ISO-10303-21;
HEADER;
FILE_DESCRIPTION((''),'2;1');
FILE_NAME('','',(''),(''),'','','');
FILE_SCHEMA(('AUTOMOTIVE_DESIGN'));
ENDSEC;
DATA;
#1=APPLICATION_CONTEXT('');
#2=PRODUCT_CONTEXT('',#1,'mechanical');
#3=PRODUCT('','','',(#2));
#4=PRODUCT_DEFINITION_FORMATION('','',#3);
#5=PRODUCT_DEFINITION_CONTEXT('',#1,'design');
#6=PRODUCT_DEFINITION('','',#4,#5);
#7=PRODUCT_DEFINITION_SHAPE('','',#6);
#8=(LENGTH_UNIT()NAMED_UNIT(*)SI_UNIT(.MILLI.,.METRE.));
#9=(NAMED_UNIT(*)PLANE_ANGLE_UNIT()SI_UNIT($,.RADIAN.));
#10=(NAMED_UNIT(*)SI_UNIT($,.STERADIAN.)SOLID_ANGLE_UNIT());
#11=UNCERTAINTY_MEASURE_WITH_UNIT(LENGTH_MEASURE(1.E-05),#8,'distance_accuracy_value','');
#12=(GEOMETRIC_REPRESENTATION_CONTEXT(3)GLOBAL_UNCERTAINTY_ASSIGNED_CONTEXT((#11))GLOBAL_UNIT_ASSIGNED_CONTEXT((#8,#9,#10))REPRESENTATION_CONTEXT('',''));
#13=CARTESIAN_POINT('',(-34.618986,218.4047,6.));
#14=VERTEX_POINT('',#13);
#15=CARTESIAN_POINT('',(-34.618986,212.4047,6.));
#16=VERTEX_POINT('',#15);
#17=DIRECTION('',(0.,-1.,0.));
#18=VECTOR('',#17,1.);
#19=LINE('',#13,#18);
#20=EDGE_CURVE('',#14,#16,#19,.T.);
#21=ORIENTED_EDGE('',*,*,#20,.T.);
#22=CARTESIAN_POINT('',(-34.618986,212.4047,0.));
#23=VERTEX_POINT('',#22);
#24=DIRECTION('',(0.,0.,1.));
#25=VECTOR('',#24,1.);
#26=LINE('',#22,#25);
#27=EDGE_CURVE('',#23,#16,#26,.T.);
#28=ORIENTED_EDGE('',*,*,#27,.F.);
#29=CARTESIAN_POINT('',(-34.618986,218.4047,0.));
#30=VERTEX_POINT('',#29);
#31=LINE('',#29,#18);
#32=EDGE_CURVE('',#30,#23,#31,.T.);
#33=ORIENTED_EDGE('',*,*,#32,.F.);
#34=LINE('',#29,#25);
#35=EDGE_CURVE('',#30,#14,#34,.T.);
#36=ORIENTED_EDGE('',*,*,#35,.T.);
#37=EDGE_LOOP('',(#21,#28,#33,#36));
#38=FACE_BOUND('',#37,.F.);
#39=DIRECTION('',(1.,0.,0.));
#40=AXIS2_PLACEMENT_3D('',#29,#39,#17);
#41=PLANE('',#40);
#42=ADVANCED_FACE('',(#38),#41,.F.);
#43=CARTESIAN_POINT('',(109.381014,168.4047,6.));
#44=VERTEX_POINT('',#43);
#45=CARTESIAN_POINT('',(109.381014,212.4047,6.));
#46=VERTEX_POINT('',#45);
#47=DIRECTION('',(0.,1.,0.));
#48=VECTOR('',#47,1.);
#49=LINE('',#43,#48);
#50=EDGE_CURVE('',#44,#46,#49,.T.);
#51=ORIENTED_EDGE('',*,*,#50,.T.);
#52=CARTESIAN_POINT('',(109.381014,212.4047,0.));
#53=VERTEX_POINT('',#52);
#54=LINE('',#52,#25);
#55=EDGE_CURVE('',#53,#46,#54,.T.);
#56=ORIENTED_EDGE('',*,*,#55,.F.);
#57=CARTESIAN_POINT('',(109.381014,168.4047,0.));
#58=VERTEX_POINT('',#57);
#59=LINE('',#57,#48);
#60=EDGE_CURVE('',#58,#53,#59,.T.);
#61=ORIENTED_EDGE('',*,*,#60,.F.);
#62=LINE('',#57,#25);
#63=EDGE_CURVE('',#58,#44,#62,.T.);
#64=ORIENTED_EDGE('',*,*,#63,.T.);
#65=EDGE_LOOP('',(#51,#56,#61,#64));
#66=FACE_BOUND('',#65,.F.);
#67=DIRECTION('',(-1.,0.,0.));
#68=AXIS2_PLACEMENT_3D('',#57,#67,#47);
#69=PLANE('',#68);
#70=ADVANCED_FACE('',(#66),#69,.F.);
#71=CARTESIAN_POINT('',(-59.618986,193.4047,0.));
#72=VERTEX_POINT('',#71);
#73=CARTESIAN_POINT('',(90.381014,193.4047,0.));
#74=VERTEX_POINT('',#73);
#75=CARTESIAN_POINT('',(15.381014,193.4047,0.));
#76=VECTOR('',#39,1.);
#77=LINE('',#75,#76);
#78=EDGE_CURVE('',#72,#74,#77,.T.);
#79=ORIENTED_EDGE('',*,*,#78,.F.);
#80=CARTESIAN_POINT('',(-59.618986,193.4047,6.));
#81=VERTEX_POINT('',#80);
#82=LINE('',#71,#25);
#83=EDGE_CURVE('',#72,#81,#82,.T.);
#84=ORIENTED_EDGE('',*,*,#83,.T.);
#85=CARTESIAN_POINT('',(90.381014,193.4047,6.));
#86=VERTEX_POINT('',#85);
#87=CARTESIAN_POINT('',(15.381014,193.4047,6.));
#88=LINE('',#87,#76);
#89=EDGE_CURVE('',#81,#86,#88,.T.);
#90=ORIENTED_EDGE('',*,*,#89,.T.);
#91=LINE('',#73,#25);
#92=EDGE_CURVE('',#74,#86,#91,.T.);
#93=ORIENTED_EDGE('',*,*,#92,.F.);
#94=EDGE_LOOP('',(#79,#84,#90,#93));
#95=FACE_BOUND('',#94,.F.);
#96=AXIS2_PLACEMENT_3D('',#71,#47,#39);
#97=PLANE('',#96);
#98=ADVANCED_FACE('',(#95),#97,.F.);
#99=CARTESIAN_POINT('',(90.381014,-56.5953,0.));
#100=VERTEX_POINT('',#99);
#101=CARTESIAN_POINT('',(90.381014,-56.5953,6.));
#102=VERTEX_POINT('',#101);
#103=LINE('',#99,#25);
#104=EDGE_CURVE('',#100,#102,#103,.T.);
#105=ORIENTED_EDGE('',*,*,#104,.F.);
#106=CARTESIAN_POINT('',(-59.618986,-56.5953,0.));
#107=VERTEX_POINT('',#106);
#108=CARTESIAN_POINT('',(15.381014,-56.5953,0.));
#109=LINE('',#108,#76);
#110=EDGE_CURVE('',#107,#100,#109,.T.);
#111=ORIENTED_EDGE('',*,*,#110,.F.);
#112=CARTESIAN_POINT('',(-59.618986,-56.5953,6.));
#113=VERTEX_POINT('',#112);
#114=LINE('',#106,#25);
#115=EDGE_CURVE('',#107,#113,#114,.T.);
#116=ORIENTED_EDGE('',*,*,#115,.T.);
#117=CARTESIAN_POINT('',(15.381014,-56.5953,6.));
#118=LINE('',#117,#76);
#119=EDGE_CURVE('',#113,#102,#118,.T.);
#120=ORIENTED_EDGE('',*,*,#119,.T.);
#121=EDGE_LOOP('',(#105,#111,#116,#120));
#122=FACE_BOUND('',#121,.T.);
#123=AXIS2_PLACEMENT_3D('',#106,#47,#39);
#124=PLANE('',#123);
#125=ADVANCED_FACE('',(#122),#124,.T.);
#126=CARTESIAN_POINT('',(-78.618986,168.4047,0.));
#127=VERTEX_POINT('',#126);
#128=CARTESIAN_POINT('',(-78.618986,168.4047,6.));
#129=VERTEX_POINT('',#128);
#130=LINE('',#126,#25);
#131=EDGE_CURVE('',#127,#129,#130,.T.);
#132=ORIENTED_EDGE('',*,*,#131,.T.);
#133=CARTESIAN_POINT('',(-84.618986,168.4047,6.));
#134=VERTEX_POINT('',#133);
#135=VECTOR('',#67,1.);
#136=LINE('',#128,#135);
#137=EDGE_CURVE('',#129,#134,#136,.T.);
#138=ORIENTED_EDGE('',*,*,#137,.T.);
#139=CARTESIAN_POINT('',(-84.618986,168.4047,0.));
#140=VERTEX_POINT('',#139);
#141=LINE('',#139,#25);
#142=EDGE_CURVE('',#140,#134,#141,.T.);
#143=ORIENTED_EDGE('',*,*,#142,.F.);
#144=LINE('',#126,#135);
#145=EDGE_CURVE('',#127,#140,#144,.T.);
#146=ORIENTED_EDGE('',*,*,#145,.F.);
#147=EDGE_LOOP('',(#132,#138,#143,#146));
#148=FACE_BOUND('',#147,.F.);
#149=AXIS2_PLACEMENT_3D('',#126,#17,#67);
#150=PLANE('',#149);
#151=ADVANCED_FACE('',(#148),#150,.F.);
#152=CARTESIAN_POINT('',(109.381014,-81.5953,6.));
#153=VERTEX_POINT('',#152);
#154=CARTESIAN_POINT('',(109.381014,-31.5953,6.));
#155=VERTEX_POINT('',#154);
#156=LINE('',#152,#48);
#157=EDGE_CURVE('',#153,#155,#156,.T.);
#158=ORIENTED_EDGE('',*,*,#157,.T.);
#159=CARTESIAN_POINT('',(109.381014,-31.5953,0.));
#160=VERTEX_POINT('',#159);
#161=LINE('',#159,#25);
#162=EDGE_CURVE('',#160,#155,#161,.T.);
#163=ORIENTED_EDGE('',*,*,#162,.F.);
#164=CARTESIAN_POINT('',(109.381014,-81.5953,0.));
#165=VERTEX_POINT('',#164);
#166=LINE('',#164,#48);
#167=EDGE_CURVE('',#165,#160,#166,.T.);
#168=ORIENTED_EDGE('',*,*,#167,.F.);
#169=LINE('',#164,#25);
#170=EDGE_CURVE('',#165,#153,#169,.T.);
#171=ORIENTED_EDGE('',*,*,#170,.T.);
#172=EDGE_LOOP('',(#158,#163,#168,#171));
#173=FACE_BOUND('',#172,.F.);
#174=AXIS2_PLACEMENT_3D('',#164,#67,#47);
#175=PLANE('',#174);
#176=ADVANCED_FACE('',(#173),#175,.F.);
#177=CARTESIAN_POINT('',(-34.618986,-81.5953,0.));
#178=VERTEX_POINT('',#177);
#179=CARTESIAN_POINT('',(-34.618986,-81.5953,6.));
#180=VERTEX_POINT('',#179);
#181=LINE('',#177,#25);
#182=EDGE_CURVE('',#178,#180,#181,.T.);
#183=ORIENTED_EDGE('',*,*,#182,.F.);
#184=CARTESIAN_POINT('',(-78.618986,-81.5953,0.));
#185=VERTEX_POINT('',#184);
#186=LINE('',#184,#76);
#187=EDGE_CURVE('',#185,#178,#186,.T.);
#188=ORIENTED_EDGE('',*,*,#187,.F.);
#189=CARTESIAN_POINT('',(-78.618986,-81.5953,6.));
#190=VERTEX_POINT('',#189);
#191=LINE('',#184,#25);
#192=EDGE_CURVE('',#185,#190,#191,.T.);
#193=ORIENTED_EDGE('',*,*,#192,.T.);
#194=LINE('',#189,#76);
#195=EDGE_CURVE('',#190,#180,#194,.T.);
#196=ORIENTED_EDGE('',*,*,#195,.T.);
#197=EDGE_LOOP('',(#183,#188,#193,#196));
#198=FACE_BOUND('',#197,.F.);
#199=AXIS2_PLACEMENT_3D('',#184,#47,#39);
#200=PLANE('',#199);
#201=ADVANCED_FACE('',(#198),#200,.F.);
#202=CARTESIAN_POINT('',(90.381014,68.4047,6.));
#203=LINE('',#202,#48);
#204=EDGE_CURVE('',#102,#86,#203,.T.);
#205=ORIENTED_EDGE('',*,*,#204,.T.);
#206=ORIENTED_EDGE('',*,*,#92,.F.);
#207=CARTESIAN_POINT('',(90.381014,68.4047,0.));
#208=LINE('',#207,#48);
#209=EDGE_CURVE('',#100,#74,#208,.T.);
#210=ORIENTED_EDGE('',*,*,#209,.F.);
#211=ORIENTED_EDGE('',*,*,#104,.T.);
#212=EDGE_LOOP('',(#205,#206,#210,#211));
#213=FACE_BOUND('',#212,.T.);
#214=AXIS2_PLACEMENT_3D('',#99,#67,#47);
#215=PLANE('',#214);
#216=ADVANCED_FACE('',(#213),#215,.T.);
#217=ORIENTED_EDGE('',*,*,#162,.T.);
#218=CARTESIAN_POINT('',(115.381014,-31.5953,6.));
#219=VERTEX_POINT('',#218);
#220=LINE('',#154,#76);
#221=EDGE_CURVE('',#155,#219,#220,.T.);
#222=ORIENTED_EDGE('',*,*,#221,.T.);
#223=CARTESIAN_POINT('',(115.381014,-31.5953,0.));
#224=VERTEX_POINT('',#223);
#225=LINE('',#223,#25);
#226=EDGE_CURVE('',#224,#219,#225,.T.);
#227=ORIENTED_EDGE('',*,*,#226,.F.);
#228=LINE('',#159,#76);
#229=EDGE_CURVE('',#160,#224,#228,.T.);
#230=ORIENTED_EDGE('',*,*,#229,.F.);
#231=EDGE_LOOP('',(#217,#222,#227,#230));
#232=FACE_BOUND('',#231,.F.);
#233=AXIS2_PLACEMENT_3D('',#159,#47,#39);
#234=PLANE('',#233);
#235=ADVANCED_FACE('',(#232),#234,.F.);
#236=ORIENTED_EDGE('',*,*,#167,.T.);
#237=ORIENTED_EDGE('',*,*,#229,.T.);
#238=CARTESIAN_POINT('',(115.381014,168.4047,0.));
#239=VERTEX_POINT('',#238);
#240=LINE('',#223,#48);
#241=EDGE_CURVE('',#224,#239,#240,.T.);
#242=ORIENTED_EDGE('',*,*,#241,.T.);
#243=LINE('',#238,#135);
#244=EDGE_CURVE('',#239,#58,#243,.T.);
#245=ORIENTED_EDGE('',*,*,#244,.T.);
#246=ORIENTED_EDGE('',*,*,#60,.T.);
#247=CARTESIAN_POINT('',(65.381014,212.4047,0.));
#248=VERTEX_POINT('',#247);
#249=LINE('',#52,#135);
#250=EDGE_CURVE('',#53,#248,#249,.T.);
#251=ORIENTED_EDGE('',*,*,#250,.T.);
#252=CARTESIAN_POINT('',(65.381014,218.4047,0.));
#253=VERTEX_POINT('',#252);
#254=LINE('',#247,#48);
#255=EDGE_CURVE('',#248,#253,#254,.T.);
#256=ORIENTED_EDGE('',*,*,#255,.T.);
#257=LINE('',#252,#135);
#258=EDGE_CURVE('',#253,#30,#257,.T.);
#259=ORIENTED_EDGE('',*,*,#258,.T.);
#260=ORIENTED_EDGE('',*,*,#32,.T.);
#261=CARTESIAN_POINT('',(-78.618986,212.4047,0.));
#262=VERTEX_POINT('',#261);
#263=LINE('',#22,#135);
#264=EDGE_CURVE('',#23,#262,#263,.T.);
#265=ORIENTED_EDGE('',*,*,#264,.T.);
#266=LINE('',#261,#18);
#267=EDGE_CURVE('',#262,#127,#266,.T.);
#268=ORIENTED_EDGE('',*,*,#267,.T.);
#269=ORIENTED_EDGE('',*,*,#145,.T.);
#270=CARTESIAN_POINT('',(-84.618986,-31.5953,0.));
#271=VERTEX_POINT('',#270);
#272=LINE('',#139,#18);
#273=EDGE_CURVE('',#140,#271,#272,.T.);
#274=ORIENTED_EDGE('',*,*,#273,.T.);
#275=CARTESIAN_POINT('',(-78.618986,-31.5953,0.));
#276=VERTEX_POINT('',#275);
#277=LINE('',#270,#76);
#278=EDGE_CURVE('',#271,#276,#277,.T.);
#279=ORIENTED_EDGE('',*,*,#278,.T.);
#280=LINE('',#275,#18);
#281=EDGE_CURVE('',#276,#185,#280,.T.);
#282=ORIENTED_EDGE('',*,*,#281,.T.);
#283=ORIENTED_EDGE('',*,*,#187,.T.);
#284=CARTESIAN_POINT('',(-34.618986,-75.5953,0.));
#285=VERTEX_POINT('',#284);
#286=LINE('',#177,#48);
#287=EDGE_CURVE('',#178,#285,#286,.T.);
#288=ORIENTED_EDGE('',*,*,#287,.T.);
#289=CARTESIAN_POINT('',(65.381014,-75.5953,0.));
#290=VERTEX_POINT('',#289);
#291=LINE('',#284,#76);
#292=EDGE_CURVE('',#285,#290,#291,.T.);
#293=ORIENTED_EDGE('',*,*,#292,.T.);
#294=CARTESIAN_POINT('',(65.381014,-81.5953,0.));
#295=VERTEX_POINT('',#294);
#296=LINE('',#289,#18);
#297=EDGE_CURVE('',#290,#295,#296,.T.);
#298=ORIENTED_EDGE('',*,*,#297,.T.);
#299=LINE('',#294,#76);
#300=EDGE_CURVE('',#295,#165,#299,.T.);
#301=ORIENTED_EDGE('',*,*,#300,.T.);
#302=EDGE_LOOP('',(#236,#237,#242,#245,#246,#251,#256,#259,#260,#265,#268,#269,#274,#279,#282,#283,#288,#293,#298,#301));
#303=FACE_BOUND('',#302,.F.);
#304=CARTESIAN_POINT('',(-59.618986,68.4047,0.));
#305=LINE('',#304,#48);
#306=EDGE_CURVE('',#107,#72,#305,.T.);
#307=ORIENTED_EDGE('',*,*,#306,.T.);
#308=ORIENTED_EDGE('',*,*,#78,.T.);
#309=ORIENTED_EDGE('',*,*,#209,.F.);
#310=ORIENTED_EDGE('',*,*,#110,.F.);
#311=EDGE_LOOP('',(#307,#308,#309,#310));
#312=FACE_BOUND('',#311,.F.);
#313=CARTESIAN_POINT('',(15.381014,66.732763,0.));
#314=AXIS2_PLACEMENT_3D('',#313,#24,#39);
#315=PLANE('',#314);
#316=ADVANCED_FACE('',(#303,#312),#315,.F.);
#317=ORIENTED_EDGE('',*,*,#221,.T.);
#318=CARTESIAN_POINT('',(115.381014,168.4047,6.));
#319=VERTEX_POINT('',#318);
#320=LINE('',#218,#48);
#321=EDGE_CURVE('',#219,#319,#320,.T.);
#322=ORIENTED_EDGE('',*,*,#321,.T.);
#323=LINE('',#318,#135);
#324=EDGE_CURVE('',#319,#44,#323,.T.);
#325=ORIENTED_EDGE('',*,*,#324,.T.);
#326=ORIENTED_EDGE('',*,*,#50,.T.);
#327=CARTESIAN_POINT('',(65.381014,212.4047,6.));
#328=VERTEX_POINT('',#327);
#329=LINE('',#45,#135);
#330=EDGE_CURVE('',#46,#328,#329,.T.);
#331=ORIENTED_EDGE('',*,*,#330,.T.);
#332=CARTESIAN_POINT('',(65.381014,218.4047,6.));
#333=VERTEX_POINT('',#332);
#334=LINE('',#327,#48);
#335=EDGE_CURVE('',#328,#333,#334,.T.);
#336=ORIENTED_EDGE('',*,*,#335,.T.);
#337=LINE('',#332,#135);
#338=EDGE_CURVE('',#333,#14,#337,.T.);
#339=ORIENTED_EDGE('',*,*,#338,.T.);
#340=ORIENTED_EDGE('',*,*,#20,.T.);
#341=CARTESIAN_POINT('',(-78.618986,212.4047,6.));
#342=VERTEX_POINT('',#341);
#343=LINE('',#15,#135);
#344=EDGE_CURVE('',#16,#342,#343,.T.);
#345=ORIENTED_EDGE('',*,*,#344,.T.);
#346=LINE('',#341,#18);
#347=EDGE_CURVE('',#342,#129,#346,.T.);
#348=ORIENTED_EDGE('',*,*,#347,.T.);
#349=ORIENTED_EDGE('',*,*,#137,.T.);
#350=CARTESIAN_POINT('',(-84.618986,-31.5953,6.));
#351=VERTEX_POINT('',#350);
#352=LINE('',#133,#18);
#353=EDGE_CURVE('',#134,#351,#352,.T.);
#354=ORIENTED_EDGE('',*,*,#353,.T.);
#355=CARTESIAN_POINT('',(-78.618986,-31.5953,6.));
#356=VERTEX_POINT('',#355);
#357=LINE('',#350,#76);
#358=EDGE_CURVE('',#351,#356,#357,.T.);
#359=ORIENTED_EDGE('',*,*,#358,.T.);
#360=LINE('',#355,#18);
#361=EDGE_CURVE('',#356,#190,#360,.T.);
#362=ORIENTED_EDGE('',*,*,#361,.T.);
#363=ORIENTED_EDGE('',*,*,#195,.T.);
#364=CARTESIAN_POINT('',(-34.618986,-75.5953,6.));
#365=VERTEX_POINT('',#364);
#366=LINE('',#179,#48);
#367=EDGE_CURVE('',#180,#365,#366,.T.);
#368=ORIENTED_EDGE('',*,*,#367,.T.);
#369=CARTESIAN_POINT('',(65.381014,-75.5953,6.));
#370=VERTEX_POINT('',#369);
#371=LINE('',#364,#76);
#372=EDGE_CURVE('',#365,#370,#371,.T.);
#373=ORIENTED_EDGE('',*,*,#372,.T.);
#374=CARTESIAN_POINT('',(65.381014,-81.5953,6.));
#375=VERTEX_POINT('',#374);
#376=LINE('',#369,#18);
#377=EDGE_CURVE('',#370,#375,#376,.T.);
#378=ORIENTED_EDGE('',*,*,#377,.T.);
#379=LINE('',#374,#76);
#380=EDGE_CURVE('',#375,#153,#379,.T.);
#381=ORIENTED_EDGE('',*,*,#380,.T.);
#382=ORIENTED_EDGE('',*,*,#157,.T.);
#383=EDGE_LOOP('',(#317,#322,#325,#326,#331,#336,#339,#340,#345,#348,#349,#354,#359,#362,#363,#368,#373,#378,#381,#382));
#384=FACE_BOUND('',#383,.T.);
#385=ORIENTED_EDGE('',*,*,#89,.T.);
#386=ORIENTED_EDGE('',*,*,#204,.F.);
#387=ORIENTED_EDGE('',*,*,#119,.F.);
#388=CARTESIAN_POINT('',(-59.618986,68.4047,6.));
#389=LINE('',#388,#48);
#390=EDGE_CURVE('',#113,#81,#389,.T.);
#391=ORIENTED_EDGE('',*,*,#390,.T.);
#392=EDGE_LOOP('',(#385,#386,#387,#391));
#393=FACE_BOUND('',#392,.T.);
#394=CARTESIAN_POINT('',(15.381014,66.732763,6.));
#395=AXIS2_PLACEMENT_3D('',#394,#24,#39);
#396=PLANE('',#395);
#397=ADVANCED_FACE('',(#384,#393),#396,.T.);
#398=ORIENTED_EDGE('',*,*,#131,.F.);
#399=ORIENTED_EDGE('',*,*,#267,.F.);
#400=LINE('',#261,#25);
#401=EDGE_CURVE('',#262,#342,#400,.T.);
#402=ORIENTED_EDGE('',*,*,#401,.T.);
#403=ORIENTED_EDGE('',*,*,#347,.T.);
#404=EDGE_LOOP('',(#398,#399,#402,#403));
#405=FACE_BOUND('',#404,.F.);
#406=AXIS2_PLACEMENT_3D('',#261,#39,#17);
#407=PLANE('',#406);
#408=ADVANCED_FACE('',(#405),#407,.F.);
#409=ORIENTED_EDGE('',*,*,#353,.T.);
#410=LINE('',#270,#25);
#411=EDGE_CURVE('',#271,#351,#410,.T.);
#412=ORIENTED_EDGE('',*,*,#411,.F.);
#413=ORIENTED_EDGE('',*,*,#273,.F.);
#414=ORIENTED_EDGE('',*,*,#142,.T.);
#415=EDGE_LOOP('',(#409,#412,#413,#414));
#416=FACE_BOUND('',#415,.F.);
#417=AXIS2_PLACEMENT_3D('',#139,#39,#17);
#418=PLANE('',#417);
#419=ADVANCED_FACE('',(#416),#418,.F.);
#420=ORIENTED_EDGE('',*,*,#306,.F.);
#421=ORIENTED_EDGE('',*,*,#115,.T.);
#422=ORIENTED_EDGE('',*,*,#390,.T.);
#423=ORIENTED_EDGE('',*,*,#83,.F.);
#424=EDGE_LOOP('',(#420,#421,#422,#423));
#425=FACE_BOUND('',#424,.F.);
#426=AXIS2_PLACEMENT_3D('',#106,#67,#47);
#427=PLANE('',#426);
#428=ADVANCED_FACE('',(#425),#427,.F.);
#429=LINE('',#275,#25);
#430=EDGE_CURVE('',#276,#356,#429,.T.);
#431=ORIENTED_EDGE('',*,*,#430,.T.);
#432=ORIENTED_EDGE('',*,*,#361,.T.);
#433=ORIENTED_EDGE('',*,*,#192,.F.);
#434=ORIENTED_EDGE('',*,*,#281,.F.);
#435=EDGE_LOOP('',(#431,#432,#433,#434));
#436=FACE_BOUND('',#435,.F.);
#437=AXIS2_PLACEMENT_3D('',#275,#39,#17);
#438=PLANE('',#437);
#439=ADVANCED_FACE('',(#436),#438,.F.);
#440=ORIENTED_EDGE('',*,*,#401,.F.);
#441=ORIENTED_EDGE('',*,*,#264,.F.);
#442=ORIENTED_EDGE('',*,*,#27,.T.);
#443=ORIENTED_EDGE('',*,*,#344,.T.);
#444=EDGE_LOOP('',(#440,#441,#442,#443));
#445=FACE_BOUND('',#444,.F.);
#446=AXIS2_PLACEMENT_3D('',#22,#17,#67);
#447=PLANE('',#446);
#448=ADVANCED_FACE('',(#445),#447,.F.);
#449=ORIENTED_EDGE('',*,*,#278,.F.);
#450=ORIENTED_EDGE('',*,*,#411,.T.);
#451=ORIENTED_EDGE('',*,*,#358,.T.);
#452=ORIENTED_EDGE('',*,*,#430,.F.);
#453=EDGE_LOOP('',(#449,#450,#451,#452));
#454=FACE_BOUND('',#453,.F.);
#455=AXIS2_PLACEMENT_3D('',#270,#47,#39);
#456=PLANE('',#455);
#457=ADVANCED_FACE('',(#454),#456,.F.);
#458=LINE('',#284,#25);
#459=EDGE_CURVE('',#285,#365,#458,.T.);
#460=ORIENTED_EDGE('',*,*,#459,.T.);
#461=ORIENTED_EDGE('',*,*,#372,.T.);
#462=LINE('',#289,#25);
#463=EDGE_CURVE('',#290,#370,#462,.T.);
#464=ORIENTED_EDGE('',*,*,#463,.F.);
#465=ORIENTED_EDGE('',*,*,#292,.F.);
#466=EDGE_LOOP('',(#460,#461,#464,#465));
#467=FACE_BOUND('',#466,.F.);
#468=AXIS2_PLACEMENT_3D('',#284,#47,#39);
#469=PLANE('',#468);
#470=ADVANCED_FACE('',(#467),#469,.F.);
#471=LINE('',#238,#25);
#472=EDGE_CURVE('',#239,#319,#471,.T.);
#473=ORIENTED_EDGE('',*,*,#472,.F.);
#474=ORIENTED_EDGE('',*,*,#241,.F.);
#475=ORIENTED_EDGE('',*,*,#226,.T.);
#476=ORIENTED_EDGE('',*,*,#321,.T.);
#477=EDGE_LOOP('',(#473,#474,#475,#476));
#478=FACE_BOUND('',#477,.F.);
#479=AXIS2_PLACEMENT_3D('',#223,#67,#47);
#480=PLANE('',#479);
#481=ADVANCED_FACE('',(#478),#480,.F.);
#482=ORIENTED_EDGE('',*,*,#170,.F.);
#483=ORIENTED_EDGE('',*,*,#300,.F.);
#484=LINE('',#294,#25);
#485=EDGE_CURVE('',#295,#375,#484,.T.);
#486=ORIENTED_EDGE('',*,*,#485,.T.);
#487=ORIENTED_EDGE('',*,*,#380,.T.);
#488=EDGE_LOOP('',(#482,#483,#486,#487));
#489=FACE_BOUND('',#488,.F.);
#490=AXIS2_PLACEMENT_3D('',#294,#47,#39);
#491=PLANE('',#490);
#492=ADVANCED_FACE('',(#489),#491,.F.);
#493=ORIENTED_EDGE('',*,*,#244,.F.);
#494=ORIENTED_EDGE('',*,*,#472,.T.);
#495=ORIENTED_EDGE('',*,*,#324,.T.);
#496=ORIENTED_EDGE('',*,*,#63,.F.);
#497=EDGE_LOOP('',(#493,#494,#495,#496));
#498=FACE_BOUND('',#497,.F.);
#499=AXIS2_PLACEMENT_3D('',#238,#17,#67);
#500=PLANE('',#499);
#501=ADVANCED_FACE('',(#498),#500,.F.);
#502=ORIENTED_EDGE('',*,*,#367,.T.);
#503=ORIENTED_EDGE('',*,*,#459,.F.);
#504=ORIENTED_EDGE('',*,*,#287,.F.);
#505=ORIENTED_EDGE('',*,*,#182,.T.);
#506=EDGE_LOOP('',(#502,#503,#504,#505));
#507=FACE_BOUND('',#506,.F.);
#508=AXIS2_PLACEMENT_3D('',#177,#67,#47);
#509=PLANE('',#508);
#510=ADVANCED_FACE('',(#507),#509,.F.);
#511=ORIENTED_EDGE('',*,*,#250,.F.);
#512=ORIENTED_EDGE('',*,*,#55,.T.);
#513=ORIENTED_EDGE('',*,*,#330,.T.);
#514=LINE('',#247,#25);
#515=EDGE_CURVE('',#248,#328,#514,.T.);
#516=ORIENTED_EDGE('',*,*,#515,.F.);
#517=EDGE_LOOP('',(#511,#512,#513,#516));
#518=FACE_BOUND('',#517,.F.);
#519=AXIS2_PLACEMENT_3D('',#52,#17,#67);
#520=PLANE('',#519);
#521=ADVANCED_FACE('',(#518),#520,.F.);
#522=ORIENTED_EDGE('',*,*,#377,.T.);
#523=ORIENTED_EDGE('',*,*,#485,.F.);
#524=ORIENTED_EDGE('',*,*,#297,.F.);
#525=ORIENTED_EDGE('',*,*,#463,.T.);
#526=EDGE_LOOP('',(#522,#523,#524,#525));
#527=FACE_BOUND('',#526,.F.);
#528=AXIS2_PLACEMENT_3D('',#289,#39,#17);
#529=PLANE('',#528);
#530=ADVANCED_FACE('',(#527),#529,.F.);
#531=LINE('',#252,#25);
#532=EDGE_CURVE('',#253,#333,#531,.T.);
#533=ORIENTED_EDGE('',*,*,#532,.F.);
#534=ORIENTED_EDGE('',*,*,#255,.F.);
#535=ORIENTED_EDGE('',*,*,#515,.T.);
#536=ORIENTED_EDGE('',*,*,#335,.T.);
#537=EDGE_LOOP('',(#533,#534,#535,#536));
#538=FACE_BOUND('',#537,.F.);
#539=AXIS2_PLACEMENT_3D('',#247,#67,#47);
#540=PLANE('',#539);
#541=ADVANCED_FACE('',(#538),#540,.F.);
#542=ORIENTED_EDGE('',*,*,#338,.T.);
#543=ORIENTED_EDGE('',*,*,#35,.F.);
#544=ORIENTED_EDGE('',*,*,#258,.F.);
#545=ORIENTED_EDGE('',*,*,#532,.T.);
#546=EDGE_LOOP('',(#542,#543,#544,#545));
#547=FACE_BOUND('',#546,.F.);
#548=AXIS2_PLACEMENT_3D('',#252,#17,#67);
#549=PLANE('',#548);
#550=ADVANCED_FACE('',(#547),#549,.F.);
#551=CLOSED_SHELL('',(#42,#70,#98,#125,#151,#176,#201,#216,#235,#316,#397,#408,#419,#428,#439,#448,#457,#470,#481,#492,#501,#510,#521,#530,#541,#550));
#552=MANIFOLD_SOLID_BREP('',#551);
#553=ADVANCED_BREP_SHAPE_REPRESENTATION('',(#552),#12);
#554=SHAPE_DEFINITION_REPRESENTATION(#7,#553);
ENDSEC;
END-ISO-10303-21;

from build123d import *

# Parameters (mm, degrees)
F0_W     = 150
F0_H     = 250
F1_DEPTH = 6


with BuildPart() as f1:
    # F0 (on Top) → F1 (new body)
    with BuildSketch(Plane.XY):
        Polygon((-34.618986, 212.4047), (-78.618986, 212.4047), (-78.618986, 168.4047), (-84.618986, 168.4047), (-84.618986, -31.5953), (-78.618986, -31.5953), (-78.618986, -81.5953), (-34.618986, -81.5953), (-34.618986, -75.5953), (65.381014, -75.5953), (65.381014, -81.5953), (109.381014, -81.5953), (109.381014, -31.5953), (115.381014, -31.5953), (115.381014, 168.4047), (109.381014, 168.4047), (109.381014, 212.4047), (65.381014, 212.4047), (65.381014, 218.4047), (-34.618986, 218.4047), align=None)
        with Locations((15.381014, 68.4047)):
            Rectangle(F0_W, F0_H, mode=Mode.SUBTRACT)
    extrude(amount=F1_DEPTH)


solid = f1.part
